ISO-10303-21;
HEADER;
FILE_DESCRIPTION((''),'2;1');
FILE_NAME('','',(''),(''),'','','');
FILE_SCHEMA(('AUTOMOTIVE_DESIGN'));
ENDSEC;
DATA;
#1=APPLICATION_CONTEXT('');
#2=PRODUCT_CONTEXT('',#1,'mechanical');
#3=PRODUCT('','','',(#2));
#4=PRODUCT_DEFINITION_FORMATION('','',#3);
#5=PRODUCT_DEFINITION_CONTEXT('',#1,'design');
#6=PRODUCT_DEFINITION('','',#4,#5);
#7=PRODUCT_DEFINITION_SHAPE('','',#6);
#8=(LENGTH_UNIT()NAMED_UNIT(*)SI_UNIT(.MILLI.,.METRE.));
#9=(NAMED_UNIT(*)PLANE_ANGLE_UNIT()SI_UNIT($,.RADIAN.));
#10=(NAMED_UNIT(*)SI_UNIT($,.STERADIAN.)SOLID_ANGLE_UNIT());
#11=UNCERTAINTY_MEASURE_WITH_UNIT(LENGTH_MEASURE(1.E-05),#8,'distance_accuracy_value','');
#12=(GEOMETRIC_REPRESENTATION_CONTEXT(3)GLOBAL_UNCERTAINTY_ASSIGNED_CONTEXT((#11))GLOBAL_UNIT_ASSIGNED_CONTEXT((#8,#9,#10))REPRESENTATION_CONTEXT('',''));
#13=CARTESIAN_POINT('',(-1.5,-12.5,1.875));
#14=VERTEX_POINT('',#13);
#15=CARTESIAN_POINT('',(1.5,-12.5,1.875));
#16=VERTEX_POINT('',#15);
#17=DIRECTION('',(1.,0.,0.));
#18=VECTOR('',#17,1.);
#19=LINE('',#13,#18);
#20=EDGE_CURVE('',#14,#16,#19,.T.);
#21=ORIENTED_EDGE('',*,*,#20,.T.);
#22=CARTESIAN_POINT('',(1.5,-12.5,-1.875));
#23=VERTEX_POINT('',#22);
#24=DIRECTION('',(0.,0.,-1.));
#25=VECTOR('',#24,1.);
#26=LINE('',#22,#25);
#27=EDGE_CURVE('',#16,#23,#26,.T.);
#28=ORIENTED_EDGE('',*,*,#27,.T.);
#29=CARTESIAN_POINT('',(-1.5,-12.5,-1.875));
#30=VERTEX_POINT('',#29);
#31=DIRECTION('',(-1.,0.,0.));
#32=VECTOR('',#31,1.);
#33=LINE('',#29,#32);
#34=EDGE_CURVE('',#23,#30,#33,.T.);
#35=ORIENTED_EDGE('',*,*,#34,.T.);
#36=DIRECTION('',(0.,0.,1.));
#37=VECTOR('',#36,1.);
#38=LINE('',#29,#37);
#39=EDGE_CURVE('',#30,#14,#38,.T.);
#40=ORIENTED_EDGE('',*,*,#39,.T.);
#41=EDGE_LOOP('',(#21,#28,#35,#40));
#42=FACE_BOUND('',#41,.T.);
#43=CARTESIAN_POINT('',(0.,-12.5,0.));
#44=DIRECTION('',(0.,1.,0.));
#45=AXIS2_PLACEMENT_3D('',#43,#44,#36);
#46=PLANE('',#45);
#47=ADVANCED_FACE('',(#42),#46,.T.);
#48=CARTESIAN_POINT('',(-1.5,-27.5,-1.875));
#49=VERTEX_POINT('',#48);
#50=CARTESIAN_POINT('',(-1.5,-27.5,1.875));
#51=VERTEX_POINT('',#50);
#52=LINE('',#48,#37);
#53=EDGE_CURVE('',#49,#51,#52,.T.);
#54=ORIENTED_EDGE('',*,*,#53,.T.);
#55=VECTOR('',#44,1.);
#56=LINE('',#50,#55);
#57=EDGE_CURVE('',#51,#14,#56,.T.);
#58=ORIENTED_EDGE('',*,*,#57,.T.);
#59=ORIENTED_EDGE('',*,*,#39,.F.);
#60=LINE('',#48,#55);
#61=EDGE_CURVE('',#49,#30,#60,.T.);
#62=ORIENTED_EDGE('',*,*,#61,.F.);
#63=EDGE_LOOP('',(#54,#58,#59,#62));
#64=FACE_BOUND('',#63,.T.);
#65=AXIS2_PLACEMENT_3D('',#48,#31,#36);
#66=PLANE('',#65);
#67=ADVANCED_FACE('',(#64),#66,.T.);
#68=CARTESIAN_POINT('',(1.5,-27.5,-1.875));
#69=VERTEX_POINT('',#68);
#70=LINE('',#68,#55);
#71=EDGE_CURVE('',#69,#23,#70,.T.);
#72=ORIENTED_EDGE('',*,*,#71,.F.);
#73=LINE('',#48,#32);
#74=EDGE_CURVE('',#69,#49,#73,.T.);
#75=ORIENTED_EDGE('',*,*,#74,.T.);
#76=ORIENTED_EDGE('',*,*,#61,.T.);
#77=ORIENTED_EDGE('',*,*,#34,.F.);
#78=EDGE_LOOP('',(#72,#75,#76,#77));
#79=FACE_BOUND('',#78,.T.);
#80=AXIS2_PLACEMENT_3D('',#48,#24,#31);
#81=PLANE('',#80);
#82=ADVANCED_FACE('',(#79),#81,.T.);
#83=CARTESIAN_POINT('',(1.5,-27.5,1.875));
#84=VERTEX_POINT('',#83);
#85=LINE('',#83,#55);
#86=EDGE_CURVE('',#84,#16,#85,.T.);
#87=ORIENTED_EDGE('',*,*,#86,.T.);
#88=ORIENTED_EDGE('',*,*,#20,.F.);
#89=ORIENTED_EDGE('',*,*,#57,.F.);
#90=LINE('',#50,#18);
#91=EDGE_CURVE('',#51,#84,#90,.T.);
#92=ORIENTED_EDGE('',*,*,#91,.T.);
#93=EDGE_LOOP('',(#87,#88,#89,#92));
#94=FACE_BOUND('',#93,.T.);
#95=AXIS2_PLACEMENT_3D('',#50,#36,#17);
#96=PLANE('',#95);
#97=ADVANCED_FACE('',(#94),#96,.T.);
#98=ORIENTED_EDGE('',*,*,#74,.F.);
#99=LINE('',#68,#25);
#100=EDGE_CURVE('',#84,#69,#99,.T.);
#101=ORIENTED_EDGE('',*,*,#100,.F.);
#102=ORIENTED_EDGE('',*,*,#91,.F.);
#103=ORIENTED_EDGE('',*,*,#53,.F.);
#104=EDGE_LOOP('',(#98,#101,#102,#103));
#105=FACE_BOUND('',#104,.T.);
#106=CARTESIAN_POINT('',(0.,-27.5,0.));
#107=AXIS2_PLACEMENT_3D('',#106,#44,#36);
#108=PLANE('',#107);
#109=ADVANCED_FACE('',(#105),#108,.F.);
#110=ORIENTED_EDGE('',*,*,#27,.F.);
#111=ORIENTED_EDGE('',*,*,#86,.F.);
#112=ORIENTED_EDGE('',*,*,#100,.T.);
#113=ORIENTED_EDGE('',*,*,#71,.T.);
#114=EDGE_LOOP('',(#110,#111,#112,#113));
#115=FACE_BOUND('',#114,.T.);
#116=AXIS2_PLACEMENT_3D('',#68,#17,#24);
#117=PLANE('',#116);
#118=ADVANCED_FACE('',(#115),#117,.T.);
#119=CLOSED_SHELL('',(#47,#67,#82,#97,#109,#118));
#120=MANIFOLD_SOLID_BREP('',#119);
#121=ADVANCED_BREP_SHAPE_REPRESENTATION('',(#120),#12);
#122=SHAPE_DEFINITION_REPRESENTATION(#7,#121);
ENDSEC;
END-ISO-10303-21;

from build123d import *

# Parameters (mm, degrees)
BOSS_EXTRUDE1_DEPTH      = 10
BOSS_EXTRUDE1_DEPTH_BACK = 50
SKETCH1_W                = 12
SKETCH1_H                = 15
F_25_SCALE_SCALE         = 0.25


with BuildPart() as part:
    # Sketch1 → Boss-Extrude1 (new, two sides: drawn at the far end of the back side and taken through both)
    with BuildSketch(Plane(origin=(0, 0, 0), x_dir=(1, 0, 0), z_dir=(0, 1, 0)).offset(-BOSS_EXTRUDE1_DEPTH_BACK)):
        Rectangle(SKETCH1_W, SKETCH1_H)
    extrude(amount=BOSS_EXTRUDE1_DEPTH + BOSS_EXTRUDE1_DEPTH_BACK)


with BuildPart() as part_1:
    # 25% Scale: scaled about (0, -20, 0)
    add(part.part.scale(F_25_SCALE_SCALE).moved(Location((0, -15, 0))))


solid = part_1.part
